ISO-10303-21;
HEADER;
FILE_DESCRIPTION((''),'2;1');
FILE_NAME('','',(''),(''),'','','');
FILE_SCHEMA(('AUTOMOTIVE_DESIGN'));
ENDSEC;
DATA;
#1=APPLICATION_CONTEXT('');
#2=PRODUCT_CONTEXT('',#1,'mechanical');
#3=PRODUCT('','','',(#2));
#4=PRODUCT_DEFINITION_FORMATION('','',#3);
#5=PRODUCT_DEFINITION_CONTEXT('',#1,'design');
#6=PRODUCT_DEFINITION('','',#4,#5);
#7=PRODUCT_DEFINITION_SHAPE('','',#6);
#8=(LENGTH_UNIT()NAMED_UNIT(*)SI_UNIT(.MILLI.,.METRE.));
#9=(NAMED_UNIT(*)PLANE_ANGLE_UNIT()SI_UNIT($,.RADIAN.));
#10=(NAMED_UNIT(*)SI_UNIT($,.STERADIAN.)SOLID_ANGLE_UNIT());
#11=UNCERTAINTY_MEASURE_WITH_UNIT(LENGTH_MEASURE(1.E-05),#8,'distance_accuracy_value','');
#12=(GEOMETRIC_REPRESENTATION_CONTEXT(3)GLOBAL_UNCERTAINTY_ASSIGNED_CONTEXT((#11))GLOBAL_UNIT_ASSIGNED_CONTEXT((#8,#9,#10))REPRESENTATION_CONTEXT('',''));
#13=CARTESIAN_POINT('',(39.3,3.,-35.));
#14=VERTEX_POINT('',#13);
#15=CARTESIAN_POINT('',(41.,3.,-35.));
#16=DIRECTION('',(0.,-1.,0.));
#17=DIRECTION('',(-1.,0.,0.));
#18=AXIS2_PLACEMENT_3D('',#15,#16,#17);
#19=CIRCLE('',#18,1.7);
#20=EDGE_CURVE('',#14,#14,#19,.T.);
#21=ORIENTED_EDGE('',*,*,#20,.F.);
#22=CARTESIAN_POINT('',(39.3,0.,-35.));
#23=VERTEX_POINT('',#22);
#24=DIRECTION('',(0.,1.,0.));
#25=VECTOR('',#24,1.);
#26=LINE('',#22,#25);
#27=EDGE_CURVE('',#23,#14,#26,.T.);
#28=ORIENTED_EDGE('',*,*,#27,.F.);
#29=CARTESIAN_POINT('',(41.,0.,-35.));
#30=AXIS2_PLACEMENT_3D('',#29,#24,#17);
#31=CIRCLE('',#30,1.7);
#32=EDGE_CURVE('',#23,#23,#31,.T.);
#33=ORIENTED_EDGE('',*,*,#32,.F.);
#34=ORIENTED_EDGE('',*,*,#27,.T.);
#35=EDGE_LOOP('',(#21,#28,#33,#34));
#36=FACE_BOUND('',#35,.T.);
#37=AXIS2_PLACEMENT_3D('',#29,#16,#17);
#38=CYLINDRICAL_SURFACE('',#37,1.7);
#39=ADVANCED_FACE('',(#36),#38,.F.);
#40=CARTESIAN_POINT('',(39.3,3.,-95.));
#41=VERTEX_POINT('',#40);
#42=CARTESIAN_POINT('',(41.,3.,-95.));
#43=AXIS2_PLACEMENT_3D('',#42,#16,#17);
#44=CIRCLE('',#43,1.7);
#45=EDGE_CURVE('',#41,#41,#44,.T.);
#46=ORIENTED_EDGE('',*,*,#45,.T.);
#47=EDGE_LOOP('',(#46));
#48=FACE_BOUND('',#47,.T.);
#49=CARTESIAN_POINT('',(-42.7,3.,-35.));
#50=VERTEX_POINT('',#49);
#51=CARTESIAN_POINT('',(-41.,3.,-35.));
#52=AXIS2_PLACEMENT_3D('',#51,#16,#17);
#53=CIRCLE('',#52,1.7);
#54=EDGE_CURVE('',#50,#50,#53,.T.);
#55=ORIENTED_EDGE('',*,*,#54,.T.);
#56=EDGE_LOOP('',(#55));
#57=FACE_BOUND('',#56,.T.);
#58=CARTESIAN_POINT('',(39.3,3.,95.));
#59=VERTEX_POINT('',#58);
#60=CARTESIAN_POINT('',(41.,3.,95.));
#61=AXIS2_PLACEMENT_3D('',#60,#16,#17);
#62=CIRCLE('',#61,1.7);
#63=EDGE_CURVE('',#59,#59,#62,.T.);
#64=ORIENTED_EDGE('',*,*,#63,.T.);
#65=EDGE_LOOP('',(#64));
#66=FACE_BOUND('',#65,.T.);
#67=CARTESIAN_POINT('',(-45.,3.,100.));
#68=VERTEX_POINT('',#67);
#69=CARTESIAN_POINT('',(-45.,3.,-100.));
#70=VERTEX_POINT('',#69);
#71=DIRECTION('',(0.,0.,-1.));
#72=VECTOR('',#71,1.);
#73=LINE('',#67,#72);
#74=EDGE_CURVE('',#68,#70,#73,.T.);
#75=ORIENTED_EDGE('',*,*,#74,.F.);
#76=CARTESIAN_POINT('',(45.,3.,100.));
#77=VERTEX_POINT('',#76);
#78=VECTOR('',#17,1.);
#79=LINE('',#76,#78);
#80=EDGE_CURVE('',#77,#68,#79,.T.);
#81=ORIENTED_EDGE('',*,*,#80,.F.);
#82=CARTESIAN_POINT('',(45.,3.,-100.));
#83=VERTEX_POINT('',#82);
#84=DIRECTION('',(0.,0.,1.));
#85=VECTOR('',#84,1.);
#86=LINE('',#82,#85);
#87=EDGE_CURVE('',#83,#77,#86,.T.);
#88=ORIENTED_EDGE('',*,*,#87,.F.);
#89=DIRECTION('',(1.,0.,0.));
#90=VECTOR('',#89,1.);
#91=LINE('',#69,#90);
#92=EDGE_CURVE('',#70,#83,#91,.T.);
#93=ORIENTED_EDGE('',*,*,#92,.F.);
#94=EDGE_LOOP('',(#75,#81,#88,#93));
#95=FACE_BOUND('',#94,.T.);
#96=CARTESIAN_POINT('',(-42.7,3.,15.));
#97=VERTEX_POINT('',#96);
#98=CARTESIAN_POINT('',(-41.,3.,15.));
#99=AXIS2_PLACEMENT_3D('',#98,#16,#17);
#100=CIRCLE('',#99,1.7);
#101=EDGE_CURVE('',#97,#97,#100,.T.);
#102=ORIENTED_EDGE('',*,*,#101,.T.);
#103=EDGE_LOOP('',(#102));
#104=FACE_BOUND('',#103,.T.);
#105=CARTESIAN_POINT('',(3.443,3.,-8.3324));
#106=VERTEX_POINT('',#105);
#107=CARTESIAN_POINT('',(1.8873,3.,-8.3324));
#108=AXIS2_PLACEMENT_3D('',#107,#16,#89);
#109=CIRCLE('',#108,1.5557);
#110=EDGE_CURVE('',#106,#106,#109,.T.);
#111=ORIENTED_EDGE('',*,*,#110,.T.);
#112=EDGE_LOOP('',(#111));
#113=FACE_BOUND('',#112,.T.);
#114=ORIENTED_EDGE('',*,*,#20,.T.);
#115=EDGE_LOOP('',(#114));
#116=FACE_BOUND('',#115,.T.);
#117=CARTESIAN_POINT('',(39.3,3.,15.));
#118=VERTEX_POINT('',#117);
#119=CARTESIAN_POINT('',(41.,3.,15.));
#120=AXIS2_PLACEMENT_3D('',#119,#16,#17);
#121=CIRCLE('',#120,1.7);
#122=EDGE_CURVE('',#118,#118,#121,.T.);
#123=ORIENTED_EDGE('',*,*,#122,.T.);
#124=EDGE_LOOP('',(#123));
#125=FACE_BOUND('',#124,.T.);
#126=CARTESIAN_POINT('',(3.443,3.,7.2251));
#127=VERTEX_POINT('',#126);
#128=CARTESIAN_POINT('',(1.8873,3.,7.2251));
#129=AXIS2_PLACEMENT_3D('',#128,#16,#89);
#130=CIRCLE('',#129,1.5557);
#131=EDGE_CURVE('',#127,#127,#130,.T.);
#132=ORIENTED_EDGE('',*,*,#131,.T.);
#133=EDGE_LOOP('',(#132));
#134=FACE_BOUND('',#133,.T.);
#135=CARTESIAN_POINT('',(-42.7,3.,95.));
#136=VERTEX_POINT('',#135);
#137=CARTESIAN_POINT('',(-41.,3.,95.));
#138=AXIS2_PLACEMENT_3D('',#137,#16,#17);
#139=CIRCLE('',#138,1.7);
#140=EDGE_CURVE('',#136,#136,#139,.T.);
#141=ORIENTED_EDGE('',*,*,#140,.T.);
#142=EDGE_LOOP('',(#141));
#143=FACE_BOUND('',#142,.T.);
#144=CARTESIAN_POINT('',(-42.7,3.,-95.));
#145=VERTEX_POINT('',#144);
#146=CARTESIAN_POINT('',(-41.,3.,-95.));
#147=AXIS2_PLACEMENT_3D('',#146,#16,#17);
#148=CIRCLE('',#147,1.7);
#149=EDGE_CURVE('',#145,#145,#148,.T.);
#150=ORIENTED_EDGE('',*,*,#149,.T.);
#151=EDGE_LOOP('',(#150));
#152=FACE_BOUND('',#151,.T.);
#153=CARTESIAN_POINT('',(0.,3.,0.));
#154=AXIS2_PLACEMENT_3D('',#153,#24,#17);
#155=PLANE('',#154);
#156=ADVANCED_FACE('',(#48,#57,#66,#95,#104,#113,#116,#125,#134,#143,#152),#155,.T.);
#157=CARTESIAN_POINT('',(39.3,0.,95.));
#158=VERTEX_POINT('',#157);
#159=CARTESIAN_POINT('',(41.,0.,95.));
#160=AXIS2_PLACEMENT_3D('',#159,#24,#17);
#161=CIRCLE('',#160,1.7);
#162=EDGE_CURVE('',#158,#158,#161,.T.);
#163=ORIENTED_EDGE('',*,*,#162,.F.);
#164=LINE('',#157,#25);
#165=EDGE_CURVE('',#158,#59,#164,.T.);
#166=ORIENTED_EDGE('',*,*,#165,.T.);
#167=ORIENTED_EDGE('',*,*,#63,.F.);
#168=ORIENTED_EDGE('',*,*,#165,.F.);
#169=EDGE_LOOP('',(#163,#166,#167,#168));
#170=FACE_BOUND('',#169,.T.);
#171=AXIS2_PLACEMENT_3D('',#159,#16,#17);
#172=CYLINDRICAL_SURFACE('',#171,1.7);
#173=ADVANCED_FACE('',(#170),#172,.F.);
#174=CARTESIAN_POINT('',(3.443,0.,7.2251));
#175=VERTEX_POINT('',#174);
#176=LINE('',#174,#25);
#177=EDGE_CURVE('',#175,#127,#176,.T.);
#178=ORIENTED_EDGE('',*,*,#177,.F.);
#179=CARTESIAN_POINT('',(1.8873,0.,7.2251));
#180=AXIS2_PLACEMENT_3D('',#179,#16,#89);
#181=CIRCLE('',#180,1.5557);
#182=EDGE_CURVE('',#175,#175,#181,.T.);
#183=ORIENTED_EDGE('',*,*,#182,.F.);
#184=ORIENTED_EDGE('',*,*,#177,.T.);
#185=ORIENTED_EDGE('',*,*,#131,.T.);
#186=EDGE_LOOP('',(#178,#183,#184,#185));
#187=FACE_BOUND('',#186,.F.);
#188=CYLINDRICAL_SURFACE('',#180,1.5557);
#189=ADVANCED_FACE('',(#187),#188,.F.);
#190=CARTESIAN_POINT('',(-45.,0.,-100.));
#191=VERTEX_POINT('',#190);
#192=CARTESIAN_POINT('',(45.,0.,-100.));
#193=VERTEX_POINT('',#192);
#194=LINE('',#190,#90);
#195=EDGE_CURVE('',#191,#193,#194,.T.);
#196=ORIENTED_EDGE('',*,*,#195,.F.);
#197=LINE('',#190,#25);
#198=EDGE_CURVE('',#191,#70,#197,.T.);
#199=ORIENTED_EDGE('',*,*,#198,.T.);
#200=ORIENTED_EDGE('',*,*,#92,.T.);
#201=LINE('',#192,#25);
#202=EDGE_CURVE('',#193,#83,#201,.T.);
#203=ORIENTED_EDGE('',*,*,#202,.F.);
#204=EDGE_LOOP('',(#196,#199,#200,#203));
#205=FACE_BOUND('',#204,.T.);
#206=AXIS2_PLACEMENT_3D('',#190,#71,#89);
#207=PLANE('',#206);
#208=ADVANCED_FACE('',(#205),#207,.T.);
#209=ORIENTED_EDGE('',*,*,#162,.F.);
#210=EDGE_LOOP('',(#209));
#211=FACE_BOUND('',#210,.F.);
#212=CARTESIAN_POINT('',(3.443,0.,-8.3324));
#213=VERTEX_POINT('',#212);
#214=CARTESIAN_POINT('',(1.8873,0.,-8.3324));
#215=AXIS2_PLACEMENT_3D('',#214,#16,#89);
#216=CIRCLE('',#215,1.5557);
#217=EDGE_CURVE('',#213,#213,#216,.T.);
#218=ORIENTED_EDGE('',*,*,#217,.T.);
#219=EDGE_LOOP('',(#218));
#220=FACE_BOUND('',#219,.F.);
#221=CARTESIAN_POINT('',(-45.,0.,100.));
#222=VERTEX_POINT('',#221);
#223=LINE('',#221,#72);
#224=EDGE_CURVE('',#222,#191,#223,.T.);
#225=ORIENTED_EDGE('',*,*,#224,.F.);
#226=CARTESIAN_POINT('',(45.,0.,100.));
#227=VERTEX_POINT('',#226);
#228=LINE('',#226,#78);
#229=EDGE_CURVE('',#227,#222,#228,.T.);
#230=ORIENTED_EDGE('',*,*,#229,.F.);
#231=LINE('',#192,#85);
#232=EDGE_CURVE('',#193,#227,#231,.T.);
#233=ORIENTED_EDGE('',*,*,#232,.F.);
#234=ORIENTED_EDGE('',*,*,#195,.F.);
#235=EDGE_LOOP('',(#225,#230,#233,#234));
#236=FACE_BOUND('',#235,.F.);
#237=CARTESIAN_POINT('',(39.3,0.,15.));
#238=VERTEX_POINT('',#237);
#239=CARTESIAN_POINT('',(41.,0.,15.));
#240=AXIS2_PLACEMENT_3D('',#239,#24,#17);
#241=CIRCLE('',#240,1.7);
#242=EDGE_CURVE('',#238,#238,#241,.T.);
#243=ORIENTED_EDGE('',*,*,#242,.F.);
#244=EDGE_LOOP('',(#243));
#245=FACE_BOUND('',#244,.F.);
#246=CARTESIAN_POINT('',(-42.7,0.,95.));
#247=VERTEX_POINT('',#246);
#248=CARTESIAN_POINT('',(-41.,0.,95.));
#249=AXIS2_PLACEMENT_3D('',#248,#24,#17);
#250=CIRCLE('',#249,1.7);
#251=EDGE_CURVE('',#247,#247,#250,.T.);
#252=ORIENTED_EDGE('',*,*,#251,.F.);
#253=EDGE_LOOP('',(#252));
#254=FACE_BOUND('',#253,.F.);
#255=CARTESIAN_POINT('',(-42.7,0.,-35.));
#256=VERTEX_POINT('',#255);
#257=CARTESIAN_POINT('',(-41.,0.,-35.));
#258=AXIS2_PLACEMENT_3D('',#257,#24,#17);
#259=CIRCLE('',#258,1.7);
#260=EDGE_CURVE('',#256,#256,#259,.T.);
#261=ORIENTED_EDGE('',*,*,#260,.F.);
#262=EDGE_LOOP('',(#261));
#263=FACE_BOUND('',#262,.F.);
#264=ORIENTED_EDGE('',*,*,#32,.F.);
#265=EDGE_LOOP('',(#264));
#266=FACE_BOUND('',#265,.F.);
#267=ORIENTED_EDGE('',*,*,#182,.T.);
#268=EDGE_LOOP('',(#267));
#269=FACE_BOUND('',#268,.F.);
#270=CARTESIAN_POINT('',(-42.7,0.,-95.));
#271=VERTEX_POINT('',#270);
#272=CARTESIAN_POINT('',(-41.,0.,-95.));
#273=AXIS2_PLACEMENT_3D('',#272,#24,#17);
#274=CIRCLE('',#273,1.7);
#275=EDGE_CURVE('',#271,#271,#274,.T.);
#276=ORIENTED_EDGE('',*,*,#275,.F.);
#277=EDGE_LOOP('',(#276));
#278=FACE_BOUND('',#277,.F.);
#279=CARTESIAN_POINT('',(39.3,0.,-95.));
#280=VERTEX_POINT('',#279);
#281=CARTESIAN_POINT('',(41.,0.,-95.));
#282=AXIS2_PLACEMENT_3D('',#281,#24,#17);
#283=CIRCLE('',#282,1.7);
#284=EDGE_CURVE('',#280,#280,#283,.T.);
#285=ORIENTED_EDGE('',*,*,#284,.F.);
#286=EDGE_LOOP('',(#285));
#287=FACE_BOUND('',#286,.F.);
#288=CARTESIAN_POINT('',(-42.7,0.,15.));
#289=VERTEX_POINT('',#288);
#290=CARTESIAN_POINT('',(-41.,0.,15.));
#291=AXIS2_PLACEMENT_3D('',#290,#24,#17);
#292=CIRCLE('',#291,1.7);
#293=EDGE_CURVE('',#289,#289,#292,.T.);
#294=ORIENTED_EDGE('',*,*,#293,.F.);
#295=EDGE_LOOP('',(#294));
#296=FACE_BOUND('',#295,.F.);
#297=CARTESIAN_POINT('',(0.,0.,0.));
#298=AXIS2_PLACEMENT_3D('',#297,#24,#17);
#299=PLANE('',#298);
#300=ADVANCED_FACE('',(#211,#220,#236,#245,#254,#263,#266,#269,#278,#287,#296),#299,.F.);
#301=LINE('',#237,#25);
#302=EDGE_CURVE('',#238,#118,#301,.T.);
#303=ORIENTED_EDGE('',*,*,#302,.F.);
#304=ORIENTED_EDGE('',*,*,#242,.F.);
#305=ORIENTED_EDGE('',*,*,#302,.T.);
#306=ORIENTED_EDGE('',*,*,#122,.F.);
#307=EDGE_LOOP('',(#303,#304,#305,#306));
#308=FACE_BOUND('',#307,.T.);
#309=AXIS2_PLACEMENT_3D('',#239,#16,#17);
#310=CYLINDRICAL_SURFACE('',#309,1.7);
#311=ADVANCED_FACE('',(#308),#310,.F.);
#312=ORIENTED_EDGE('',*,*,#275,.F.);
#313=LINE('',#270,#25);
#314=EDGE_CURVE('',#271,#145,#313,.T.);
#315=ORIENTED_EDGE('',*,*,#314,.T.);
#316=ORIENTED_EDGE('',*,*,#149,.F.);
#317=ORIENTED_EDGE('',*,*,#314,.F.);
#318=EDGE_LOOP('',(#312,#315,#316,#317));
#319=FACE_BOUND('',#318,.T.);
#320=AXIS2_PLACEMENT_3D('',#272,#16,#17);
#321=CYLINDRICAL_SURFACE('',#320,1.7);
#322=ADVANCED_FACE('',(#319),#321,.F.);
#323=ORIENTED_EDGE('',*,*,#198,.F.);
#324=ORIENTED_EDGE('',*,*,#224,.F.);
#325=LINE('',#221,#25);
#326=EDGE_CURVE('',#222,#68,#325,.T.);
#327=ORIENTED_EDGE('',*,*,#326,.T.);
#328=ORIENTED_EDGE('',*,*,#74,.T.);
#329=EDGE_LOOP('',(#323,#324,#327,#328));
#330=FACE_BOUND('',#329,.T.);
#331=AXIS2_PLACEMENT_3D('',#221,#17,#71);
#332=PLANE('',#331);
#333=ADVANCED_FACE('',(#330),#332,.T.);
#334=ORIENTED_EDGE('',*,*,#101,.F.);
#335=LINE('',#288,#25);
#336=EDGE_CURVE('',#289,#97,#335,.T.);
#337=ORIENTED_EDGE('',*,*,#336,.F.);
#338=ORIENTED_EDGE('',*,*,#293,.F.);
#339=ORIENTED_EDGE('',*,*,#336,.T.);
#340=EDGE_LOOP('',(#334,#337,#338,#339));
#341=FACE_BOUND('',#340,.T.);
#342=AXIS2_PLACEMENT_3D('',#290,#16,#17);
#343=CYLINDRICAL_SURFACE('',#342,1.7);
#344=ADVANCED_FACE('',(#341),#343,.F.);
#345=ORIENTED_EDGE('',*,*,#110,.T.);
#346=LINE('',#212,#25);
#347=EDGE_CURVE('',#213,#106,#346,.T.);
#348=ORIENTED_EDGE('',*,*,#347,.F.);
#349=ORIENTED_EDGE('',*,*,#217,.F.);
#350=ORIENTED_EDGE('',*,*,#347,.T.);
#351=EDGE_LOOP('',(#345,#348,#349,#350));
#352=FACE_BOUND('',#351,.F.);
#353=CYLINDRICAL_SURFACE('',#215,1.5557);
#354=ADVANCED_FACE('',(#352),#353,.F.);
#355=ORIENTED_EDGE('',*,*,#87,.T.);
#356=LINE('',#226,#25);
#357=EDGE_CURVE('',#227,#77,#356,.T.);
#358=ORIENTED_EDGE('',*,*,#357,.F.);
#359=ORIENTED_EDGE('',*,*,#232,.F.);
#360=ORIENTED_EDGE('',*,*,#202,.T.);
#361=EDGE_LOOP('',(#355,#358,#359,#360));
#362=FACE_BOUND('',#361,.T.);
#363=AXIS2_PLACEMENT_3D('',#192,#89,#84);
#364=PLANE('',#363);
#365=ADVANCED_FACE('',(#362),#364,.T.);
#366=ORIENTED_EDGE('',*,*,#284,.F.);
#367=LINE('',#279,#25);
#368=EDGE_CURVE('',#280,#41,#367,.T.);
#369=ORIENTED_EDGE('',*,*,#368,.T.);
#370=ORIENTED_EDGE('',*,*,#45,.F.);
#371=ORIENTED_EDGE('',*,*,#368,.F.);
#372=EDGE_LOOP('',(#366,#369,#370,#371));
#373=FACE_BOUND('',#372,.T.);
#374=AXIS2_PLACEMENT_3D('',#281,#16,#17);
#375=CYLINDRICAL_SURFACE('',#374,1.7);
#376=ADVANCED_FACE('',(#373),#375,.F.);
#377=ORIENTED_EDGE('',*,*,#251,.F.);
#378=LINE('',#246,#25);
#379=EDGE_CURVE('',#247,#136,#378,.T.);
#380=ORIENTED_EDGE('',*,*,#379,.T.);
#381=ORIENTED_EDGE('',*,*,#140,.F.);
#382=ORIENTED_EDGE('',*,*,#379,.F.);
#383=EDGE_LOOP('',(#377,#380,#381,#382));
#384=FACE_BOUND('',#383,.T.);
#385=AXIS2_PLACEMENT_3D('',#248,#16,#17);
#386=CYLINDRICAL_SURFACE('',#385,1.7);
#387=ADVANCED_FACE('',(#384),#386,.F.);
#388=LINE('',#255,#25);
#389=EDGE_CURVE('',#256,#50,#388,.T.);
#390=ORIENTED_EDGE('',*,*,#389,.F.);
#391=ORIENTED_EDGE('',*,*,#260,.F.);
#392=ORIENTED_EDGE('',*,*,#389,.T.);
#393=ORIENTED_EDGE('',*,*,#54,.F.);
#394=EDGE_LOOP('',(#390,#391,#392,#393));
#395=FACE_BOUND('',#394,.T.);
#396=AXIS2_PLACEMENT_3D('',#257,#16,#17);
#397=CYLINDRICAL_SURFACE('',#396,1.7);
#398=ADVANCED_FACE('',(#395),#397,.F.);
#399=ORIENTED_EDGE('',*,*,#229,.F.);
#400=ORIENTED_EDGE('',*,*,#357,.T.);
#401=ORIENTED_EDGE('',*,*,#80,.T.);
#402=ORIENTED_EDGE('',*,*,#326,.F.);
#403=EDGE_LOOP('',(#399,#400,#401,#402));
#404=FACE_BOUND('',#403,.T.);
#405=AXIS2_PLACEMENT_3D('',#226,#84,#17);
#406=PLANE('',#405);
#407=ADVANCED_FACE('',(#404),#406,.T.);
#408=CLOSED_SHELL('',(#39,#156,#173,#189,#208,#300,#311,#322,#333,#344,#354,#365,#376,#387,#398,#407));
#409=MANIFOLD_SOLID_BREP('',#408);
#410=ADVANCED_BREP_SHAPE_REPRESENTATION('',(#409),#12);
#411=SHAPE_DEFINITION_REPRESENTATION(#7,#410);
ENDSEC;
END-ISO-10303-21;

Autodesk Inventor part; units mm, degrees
ref_plane "YZ Plane" through (0, 0, 0) normal (1, 0, 0) x (0, 1, 0)
ref_plane "XZ Plane" through (0, 0, 0) normal (0, 1, 0) x (-1, 0, 0)
ref_plane "XY Plane" through (0, 0, 0) normal (0, 0, 1) x (1, 0, 0)
sketch "Skizze1" plane through (0, 0, 0) normal (0, 1, 0) x (-1, 0, 0)
  line L0 (45, 100) -> (45, -100)
  line L1 (45, -100) -> (-45, -100)
  line L2 (-45, -100) -> (-45, 100)
  line L3 (-45, 100) -> (45, 100)
  line L4 (0, 61.8387) -> (0, -129.7607) construction
  line L5 (83.0665, 0) -> (-88.5254, 0) construction
  circle A0 centre (41, 95) radius 1.7
  circle A1 centre (-41, 95) radius 1.7
  circle A2 centre (-41, -95) radius 1.7
  circle A3 centre (41, -95) radius 1.7
  circle A4 centre (3.1127, 7.2251) radius 1.5558
  circle A5 centre (3.1127, -8.3324) radius 1.5558
  circle A6 centre (-41, 15) radius 1.7
  circle A7 centre (41, 15) radius 1.7
  circle A8 centre (-41, -65) radius 1.7
  circle A9 centre (41, -65) radius 1.7
  circle A10 centre (-41, -145) radius 1.7
  circle A11 centre (41, -145) radius 1.7
  circle A12 centre (-41, -225) radius 1.7
  circle A13 centre (41, -225) radius 1.7
  circle A14 centre (-41, -305) radius 1.7
  circle A15 centre (41, -305) radius 1.7
  circle A16 centre (-41, -385) radius 1.7
  circle A17 centre (41, -385) radius 1.7
  circle A18 centre (-41, -465) radius 1.7
  circle A19 centre (41, -465) radius 1.7
  circle A20 centre (-41, -545) radius 1.7
  circle A21 centre (41, -545) radius 1.7
  circle A22 centre (-41, -625) radius 1.7
  circle A23 centre (41, -625) radius 1.7
  circle A24 centre (-41, -705) radius 1.7
  circle A25 centre (41, -705) radius 1.7
  circle A26 centre (-41, -785) radius 1.7
  circle A27 centre (41, -785) radius 1.7
  circle A28 centre (-41, -865) radius 1.7
  circle A29 centre (41, -865) radius 1.7
  circle A30 centre (-41, -945) radius 1.7
  circle A31 centre (41, -945) radius 1.7
  circle A32 centre (-41, -1025) radius 1.7
  circle A33 centre (41, -1025) radius 1.7
  circle A34 centre (-41, -1105) radius 1.7
  circle A35 centre (41, -1105) radius 1.7
  circle A36 centre (-41, -1185) radius 1.7
  circle A37 centre (41, -1185) radius 1.7
  circle A38 centre (-41, -1265) radius 1.7
  circle A39 centre (41, -1265) radius 1.7
  circle A40 centre (-41, -1345) radius 1.7
  circle A41 centre (41, -1345) radius 1.7
  circle A42 centre (-41, -1425) radius 1.7
  circle A43 centre (41, -1425) radius 1.7
  circle A44 centre (-41, -1505) radius 1.7
  circle A45 centre (41, -1505) radius 1.7
  circle A46 centre (-41, -1585) radius 1.7
  circle A47 centre (41, -1585) radius 1.7
  circle A48 centre (-41, -1665) radius 1.7
  circle A49 centre (41, -1665) radius 1.7
  circle A50 centre (-41, -1745) radius 1.7
  circle A51 centre (41, -1745) radius 1.7
  circle A52 centre (-41, -1825) radius 1.7
  circle A53 centre (41, -1825) radius 1.7
  circle A54 centre (-41, -1905) radius 1.7
  circle A55 centre (41, -1905) radius 1.7
  circle A56 centre (-41, -1985) radius 1.7
  circle A57 centre (41, -1985) radius 1.7
  circle A58 centre (-41, -2065) radius 1.7
  circle A59 centre (41, -2065) radius 1.7
  circle A60 centre (-41, -2145) radius 1.7
  circle A61 centre (41, -2145) radius 1.7
  circle A62 centre (-41, -2225) radius 1.7
  circle A63 centre (41, -2225) radius 1.7
  circle A64 centre (-41, -2305) radius 1.7
  circle A65 centre (41, -2305) radius 1.7
  circle A66 centre (-41, -2385) radius 1.7
  circle A67 centre (41, -2385) radius 1.7
  circle A68 centre (-41, -2465) radius 1.7
  circle A69 centre (41, -2465) radius 1.7
  circle A70 centre (-41, -2545) radius 1.7
  circle A71 centre (41, -2545) radius 1.7
  circle A72 centre (-41, -2625) radius 1.7
  circle A73 centre (41, -2625) radius 1.7
  circle A74 centre (-41, -2705) radius 1.7
  circle A75 centre (41, -2705) radius 1.7
  circle A76 centre (-41, -2785) radius 1.7
  circle A77 centre (41, -2785) radius 1.7
  circle A78 centre (-41, -2865) radius 1.7
  circle A79 centre (41, -2865) radius 1.7
  circle A80 centre (-41, -2945) radius 1.7
  circle A81 centre (41, -2945) radius 1.7
  circle A82 centre (-41, -3025) radius 1.7
  circle A83 centre (41, -3025) radius 1.7
  circle A84 centre (-41, -3105) radius 1.7
  circle A85 centre (41, -3105) radius 1.7
  circle A86 centre (-41, -3185) radius 1.7
  circle A87 centre (41, -3185) radius 1.7
  circle A88 centre (-41, -3265) radius 1.7
  circle A89 centre (41, -3265) radius 1.7
  circle A90 centre (-41, -3345) radius 1.7
  circle A91 centre (41, -3345) radius 1.7
  circle A92 centre (-41, -3425) radius 1.7
  circle A93 centre (41, -3425) radius 1.7
  circle A94 centre (-41, -3505) radius 1.7
  circle A95 centre (41, -3505) radius 1.7
  circle A96 centre (-41, -3585) radius 1.7
  circle A97 centre (41, -3585) radius 1.7
  circle A98 centre (-41, -3665) radius 1.7
  circle A99 centre (41, -3665) radius 1.7
  circle A100 centre (-41, -3745) radius 1.7
  circle A101 centre (41, -3745) radius 1.7
  circle A102 centre (-41, -3825) radius 1.7
  circle A103 centre (41, -3825) radius 1.7
  circle A104 centre (-41, -3905) radius 1.7
  circle A105 centre (41, -3905) radius 1.7
  circle A106 centre (-41, -3985) radius 1.7
  circle A107 centre (41, -3985) radius 1.7
  circle A108 centre (-41, -4065) radius 1.7
  circle A109 centre (41, -4065) radius 1.7
  circle A110 centre (-41, -4145) radius 1.7
  circle A111 centre (41, -4145) radius 1.7
  circle A112 centre (-41, -4225) radius 1.7
  circle A113 centre (41, -4225) radius 1.7
  circle A114 centre (-41, -4305) radius 1.7
  circle A115 centre (41, -4305) radius 1.7
  circle A116 centre (-41, -4385) radius 1.7
  circle A117 centre (41, -4385) radius 1.7
  circle A118 centre (-41, -4465) radius 1.7
  circle A119 centre (41, -4465) radius 1.7
  circle A120 centre (-41, -4545) radius 1.7
  circle A121 centre (41, -4545) radius 1.7
  circle A122 centre (-41, -4625) radius 1.7
  circle A123 centre (41, -4625) radius 1.7
  circle A124 centre (-41, -4705) radius 1.7
  circle A125 centre (41, -4705) radius 1.7
  circle A126 centre (-41, -4785) radius 1.7
  circle A127 centre (41, -4785) radius 1.7
  circle A128 centre (-41, -4865) radius 1.7
  circle A129 centre (41, -4865) radius 1.7
  circle A130 centre (-41, -4945) radius 1.7
  circle A131 centre (41, -4945) radius 1.7
  circle A132 centre (-41, -5025) radius 1.7
  circle A133 centre (41, -5025) radius 1.7
  circle A134 centre (-41, -5105) radius 1.7
  circle A135 centre (41, -5105) radius 1.7
  circle A136 centre (-41, -5185) radius 1.7
  circle A137 centre (41, -5185) radius 1.7
  circle A138 centre (-41, -5265) radius 1.7
  circle A139 centre (41, -5265) radius 1.7
  circle A140 centre (-41, -5345) radius 1.7
  circle A141 centre (41, -5345) radius 1.7
  circle A142 centre (-41, -5425) radius 1.7
  circle A143 centre (41, -5425) radius 1.7
  circle A144 centre (-41, -5505) radius 1.7
  circle A145 centre (41, -5505) radius 1.7
  circle A146 centre (-41, -5585) radius 1.7
  circle A147 centre (41, -5585) radius 1.7
  circle A148 centre (-41, -5665) radius 1.7
  circle A149 centre (41, -5665) radius 1.7
  circle A150 centre (-41, -5745) radius 1.7
  circle A151 centre (41, -5745) radius 1.7
  circle A152 centre (-41, -5825) radius 1.7
  circle A153 centre (41, -5825) radius 1.7
  circle A154 centre (-41, -5905) radius 1.7
  circle A155 centre (41, -5905) radius 1.7
  circle A156 centre (-41, -5985) radius 1.7
  circle A157 centre (41, -5985) radius 1.7
  circle A158 centre (-41, -6065) radius 1.7
  circle A159 centre (41, -6065) radius 1.7
  circle A160 centre (-41, -6145) radius 1.7
  circle A161 centre (41, -6145) radius 1.7
  circle A162 centre (-41, -6225) radius 1.7
  circle A163 centre (41, -6225) radius 1.7
  circle A164 centre (-41, -35) radius 1.7
  circle A165 centre (41, -35) radius 1.7
  point P0 (0, 0)
  dimension "d1" = 45
  dimension "d2" = 45
  dimension "d3" = 100
  dimension "d4" = 100
  dimension "d7" = 3.4
  dimension "d8" = 4
  dimension "d9" = 5
  dimension "d10" = 3.4
  dimension "d11" = 4
  dimension "d12" = 5
  dimension "d13" = 3.4
  dimension "d14" = 4
  dimension "d15" = 5
  dimension "d16" = 3.4
  dimension "d17" = 5
  dimension "d18" = 4
  dimension "d25" = 80
  dimension "d32" = 50
extrude "Extrusion1" add sketch "Skizze1" along normal blind 3 contours L0 L1 L2 L3 | A0 | A1 | A2 | A3 | A4 | A5 | A6 | A7 | A8 | A9 | A164 | A165
extrude "Extrusion2" cut sketch "Skizze1" along normal blind 10 contours A0 | A1 | A2 | A3 | A6 | A7 | A164 | A165
sketch "Skizze2" plane through (0, 0, 0) normal (0, -1, 0) x (1, 0, 0)
  circle A0 centre (1.8873, 7.2251) radius 1.5557 projected
  circle A1 centre (1.8873, -8.3324) radius 1.5557 projected
  point P0 (0, 0)
extrude "Extrusion3" cut sketch "Skizze2" against normal blind 10
properties part number "Chassis-2" material "CFK"
